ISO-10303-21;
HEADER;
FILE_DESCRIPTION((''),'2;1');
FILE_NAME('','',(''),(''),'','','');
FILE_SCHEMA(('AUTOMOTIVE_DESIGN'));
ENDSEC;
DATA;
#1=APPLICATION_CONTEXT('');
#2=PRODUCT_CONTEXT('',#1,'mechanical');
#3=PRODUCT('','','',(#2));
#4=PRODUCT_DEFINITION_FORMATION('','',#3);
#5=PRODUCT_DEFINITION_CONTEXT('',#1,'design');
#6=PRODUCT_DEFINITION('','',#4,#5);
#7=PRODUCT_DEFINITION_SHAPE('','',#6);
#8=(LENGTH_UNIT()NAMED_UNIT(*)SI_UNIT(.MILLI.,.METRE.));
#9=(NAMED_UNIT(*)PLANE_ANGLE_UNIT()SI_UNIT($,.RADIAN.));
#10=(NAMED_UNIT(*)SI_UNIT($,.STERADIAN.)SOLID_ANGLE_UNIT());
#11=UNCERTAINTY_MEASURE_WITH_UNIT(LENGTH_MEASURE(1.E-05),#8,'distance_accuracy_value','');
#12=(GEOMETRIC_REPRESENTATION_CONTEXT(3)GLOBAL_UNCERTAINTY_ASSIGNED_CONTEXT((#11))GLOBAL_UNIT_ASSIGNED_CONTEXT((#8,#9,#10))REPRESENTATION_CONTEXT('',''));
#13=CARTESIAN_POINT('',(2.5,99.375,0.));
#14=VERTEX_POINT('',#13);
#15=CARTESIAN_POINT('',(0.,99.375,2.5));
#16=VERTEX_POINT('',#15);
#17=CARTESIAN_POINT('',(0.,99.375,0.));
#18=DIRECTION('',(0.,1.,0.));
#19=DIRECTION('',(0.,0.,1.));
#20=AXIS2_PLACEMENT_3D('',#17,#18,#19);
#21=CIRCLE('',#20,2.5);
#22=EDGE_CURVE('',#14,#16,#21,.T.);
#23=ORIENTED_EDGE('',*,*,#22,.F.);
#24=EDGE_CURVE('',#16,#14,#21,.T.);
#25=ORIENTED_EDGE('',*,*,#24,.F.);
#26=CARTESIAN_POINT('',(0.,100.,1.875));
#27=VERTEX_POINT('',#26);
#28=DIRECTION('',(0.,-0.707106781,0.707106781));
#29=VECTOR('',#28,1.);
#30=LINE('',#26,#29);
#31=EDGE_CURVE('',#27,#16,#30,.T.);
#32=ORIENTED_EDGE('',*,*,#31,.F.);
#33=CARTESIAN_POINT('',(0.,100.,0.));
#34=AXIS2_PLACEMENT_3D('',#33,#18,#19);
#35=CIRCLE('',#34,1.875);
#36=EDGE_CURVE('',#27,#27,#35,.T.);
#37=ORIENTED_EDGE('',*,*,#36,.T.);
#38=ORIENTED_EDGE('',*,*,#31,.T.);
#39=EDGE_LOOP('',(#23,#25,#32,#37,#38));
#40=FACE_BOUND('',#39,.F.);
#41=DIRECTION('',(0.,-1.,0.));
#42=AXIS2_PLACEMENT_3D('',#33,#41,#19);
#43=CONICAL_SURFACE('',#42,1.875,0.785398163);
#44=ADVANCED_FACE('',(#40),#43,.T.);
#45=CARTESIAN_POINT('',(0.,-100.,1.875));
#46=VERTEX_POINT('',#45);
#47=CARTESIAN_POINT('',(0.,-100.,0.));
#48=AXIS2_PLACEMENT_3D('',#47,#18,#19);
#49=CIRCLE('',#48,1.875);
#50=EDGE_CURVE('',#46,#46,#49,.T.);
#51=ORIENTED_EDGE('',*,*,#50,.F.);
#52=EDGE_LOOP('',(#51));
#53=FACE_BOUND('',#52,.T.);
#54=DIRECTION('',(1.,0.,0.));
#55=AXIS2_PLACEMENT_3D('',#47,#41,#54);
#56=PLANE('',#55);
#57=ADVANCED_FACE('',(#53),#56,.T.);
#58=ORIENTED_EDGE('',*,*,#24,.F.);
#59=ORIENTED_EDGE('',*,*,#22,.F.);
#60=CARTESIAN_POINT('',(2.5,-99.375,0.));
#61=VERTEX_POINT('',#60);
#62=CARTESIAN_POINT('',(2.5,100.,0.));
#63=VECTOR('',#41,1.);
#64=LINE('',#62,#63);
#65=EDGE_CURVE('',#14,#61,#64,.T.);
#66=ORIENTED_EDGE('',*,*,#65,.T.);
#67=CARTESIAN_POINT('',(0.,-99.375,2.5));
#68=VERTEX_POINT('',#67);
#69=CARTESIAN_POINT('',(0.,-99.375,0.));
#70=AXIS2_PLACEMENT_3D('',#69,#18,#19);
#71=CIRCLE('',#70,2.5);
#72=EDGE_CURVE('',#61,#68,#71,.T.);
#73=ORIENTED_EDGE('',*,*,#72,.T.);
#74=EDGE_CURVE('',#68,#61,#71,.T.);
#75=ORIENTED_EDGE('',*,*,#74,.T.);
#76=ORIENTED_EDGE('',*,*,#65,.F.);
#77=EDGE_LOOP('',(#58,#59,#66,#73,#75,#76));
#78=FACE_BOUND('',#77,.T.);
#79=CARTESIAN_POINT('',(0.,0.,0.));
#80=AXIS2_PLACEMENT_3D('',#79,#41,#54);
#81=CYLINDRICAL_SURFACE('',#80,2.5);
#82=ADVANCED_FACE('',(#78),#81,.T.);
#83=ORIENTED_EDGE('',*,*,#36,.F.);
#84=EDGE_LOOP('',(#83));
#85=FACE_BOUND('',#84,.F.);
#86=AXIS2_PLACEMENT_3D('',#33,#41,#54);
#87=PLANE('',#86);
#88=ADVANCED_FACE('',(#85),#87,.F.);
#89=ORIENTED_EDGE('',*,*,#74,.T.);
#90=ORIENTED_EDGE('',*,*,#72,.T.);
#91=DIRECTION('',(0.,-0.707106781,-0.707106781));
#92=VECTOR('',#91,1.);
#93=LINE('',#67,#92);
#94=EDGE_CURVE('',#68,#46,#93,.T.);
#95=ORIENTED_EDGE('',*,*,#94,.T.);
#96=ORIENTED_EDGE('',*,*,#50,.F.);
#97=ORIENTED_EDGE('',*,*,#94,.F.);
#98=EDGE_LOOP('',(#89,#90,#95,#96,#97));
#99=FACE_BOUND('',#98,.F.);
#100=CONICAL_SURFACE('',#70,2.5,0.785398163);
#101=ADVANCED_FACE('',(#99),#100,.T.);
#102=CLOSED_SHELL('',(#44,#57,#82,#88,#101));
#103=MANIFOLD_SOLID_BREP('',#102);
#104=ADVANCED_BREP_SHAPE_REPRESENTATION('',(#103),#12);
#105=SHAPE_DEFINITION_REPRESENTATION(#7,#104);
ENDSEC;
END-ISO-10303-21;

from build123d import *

# Parameters (mm, degrees)
SKETCH_R  = 2.5
PAD_DEPTH = 100


with BuildPart() as part:
    # Sketch → Pad (new body, symmetric)
    with BuildSketch(Plane.XZ):
        Circle(SKETCH_R)
    extrude(amount=PAD_DEPTH, both=True)

    # Sketch001 → Groove (revolve, cut)
    with BuildSketch(Plane.YZ):
        Polygon((-100, 4.5), (100, 4.5), (100, 1.875), (99.375, 2.5), (-99.375, 2.5), (-100, 1.875), align=None)
    revolve(axis=Axis((0, 0, 0), (0, 1, 0)), mode=Mode.SUBTRACT)


solid = part.part
